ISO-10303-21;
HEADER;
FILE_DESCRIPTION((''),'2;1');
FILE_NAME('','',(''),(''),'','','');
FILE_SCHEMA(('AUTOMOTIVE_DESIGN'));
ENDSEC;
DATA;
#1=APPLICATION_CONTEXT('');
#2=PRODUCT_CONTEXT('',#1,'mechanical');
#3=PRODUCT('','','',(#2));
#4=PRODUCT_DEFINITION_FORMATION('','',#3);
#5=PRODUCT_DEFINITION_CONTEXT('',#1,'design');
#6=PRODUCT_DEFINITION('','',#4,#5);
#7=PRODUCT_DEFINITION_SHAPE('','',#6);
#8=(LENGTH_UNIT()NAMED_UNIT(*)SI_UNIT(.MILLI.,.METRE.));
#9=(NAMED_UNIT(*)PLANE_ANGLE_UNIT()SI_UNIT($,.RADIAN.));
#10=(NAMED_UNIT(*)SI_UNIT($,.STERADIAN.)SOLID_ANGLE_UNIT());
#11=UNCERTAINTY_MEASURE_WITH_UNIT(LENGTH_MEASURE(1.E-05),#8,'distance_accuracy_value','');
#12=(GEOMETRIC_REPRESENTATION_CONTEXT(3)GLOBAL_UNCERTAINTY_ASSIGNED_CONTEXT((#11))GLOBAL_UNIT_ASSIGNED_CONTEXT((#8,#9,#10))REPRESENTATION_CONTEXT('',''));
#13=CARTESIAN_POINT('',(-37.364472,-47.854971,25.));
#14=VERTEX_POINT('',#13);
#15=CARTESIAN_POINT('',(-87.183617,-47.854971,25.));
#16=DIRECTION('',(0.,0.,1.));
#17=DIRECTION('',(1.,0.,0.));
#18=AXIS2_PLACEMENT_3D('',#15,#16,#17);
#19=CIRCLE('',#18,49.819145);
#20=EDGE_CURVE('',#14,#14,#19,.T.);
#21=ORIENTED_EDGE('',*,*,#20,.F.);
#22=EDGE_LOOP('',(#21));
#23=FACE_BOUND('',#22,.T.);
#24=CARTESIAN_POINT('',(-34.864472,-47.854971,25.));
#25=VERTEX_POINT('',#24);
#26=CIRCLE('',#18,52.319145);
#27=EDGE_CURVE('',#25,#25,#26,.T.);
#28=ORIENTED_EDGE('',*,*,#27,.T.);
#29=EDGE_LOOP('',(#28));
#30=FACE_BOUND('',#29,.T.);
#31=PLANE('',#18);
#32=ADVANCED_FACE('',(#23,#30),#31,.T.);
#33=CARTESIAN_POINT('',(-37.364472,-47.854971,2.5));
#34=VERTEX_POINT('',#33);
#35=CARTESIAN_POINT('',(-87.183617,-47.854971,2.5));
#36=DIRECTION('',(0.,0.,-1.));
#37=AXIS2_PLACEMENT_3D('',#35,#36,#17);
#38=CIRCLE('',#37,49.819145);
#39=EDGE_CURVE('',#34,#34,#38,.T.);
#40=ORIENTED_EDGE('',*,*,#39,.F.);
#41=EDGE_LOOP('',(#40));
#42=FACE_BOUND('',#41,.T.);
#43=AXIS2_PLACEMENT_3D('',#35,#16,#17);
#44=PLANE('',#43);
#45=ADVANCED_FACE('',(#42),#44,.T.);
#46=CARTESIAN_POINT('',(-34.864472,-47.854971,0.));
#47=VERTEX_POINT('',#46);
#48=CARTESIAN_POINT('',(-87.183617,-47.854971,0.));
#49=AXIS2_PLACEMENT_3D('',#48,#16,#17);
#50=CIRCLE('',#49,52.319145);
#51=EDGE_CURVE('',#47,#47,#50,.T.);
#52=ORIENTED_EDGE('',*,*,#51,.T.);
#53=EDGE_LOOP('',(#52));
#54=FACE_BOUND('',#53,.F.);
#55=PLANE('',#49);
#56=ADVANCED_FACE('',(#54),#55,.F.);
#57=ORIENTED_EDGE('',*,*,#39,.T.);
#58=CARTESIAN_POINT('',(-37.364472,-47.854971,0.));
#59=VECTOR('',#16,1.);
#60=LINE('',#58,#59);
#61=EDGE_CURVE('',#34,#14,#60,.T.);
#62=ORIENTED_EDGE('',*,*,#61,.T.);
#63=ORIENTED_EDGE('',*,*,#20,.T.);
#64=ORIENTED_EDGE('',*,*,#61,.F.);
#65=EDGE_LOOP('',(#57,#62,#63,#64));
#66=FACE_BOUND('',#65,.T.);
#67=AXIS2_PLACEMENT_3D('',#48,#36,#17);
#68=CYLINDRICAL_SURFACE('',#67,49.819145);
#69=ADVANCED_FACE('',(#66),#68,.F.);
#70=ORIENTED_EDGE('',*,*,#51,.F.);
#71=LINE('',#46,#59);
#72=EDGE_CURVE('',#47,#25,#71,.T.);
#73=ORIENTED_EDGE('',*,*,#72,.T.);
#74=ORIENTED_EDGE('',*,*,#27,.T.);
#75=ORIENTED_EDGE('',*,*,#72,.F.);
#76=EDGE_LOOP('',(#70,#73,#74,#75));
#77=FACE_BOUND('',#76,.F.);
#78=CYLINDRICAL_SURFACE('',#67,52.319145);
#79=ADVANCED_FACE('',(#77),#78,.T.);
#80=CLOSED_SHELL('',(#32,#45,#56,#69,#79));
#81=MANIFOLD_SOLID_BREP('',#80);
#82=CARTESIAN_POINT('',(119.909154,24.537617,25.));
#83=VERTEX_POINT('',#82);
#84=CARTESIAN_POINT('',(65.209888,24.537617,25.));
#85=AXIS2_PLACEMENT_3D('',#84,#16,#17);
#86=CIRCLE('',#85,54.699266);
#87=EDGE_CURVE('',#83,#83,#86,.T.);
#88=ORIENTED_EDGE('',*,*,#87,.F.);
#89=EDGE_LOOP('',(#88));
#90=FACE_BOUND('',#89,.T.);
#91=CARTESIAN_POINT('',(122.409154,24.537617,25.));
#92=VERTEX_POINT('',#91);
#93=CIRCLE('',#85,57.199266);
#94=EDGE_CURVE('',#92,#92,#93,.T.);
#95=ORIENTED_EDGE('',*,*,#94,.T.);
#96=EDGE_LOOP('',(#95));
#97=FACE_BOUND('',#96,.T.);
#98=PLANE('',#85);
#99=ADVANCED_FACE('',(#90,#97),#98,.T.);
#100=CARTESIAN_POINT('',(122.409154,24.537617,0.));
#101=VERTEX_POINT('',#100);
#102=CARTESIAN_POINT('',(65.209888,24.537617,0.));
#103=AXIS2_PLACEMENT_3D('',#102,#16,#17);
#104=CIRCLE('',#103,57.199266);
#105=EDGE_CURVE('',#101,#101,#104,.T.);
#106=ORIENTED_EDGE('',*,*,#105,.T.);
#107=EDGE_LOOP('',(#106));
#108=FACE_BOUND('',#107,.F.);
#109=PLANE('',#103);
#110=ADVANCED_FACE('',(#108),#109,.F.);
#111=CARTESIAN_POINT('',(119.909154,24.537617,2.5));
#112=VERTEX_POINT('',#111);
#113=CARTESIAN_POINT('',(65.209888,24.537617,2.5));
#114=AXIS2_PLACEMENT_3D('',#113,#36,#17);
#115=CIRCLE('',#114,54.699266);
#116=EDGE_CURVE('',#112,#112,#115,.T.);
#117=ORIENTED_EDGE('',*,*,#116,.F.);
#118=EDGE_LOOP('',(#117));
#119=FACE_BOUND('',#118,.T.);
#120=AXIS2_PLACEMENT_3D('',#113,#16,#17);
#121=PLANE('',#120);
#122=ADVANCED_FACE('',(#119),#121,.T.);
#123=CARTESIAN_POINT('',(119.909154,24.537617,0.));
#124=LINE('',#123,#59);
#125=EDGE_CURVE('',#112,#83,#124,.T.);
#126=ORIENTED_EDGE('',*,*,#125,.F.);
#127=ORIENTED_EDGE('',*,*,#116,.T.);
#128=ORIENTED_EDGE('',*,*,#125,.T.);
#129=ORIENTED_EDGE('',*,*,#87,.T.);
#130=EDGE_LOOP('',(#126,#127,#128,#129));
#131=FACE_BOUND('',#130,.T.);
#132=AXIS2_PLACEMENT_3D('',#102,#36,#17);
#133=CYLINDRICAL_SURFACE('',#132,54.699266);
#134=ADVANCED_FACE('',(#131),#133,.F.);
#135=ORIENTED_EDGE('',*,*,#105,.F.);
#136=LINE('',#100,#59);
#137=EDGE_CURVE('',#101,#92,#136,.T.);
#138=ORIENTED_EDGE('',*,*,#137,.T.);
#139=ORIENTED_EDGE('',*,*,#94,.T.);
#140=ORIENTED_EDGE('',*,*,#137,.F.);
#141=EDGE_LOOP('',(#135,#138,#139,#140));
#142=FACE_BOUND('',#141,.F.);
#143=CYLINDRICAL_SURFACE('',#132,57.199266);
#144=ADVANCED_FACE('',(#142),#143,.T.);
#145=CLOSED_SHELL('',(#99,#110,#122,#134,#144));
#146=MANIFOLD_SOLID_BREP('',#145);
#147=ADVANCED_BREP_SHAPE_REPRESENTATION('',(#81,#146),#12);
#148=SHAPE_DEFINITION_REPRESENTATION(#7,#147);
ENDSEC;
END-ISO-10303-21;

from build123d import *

# Parameters (mm, degrees)
F0_R     = 52.3191449933
F1_DEPTH = 25
F0_R_2   = 57.1992662259
F2_T     = -2.5
F2_2_T   = -2.5


with BuildPart() as f1:
    # F0 (on Top) → F1 (new body)
    with BuildSketch(Plane.XY):
        with Locations((-87.1836170554, -47.8549711406)):
            Circle(F0_R)
    extrude(amount=F1_DEPTH)

    # F2
    f2_openings = [f1.faces().sort_by_distance(p)[0] for p in [
        (-87.183617, -47.854971, 25),
    ]]
    offset(amount=F2_T, openings=f2_openings)


with BuildPart() as f1b:
    # F0 (on Top) → F1, piece 2 (new body)
    with BuildSketch(Plane.XY):
        with Locations((65.2098879218, 24.5376173407)):
            Circle(F0_R_2)
    extrude(amount=F1_DEPTH)

    # F2#2
    f2_2_openings = [f1b.faces().sort_by_distance(p)[0] for p in [
        (65.209888, 24.537617, 25),
    ]]
    offset(amount=F2_2_T, openings=f2_2_openings)


solid = Compound([f1.part, f1b.part])
